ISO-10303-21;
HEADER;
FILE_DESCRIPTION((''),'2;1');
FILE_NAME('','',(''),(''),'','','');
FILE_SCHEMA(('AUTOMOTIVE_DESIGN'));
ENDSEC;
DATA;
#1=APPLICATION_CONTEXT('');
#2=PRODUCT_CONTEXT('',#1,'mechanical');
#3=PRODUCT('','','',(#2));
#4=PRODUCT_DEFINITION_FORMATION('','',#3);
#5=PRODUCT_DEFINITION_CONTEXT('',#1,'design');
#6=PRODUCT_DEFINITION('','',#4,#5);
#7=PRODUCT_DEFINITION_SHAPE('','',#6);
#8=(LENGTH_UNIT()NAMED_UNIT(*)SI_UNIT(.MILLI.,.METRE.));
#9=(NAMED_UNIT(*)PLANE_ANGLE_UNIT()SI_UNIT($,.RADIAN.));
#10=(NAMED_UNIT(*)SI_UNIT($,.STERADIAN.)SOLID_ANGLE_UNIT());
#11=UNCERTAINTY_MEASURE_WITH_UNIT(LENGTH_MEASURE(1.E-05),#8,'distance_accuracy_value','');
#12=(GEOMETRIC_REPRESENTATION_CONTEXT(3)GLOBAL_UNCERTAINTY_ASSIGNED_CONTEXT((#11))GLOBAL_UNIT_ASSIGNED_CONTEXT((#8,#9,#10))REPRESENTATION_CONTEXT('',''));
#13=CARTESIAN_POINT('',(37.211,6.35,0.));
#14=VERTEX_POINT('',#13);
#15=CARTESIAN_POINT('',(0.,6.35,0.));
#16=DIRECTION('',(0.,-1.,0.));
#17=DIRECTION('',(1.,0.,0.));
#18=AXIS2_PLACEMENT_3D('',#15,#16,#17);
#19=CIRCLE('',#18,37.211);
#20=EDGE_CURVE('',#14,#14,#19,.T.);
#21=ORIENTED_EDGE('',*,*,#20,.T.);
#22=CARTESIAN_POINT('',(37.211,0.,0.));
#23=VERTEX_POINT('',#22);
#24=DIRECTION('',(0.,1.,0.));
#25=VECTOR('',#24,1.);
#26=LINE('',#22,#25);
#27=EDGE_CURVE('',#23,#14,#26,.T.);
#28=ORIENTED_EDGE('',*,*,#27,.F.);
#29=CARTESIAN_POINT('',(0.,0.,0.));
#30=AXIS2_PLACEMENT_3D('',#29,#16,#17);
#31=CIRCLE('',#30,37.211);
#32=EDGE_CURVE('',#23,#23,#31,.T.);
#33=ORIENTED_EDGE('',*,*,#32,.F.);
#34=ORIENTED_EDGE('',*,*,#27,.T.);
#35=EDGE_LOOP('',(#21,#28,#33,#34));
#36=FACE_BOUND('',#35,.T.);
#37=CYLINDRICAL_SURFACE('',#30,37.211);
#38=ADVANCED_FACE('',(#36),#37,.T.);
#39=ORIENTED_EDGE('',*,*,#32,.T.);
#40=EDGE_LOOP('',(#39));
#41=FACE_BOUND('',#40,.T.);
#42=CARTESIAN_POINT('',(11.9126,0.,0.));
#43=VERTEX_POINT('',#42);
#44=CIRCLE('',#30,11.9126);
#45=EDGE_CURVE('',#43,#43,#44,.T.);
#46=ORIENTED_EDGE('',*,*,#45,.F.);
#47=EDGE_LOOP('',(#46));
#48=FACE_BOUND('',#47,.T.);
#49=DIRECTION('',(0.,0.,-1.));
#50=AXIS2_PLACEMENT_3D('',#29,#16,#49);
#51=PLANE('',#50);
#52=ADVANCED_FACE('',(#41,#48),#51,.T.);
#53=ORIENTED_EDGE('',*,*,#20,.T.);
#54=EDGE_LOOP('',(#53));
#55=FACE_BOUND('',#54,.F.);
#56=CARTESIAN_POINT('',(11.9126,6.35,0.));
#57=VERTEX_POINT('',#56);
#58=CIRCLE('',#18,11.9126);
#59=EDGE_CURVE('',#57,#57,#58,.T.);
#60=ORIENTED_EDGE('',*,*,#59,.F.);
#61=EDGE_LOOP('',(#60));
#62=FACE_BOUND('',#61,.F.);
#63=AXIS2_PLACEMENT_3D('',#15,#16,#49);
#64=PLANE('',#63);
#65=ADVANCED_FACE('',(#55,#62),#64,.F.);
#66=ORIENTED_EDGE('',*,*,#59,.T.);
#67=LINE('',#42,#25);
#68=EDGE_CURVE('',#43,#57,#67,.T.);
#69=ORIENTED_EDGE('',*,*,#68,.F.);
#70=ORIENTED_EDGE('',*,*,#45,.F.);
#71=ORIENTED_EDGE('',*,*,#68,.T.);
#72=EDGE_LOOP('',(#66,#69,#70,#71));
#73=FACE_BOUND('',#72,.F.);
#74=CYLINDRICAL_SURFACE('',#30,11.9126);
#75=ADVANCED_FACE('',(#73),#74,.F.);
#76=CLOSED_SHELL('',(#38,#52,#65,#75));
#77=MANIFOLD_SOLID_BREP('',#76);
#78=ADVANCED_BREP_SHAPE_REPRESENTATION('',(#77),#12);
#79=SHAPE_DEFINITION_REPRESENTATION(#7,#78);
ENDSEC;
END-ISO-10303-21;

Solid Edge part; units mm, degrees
sketch "Sketch1" plane through (0, 0, 0) normal (0, -1, 0) x (1, 0, 0)
  circle A0 centre (0, 0) radius 37.211
  circle A1 centre (0, 0) radius 11.9126
  dimension "D1" = 74.422
  dimension "D2" = 23.8252
extrude "Protrusion1" add sketch "Sketch1" against normal blind 6.35
extrude "Cutout1" [suppressed]
pattern "Pattern1" [suppressed]
